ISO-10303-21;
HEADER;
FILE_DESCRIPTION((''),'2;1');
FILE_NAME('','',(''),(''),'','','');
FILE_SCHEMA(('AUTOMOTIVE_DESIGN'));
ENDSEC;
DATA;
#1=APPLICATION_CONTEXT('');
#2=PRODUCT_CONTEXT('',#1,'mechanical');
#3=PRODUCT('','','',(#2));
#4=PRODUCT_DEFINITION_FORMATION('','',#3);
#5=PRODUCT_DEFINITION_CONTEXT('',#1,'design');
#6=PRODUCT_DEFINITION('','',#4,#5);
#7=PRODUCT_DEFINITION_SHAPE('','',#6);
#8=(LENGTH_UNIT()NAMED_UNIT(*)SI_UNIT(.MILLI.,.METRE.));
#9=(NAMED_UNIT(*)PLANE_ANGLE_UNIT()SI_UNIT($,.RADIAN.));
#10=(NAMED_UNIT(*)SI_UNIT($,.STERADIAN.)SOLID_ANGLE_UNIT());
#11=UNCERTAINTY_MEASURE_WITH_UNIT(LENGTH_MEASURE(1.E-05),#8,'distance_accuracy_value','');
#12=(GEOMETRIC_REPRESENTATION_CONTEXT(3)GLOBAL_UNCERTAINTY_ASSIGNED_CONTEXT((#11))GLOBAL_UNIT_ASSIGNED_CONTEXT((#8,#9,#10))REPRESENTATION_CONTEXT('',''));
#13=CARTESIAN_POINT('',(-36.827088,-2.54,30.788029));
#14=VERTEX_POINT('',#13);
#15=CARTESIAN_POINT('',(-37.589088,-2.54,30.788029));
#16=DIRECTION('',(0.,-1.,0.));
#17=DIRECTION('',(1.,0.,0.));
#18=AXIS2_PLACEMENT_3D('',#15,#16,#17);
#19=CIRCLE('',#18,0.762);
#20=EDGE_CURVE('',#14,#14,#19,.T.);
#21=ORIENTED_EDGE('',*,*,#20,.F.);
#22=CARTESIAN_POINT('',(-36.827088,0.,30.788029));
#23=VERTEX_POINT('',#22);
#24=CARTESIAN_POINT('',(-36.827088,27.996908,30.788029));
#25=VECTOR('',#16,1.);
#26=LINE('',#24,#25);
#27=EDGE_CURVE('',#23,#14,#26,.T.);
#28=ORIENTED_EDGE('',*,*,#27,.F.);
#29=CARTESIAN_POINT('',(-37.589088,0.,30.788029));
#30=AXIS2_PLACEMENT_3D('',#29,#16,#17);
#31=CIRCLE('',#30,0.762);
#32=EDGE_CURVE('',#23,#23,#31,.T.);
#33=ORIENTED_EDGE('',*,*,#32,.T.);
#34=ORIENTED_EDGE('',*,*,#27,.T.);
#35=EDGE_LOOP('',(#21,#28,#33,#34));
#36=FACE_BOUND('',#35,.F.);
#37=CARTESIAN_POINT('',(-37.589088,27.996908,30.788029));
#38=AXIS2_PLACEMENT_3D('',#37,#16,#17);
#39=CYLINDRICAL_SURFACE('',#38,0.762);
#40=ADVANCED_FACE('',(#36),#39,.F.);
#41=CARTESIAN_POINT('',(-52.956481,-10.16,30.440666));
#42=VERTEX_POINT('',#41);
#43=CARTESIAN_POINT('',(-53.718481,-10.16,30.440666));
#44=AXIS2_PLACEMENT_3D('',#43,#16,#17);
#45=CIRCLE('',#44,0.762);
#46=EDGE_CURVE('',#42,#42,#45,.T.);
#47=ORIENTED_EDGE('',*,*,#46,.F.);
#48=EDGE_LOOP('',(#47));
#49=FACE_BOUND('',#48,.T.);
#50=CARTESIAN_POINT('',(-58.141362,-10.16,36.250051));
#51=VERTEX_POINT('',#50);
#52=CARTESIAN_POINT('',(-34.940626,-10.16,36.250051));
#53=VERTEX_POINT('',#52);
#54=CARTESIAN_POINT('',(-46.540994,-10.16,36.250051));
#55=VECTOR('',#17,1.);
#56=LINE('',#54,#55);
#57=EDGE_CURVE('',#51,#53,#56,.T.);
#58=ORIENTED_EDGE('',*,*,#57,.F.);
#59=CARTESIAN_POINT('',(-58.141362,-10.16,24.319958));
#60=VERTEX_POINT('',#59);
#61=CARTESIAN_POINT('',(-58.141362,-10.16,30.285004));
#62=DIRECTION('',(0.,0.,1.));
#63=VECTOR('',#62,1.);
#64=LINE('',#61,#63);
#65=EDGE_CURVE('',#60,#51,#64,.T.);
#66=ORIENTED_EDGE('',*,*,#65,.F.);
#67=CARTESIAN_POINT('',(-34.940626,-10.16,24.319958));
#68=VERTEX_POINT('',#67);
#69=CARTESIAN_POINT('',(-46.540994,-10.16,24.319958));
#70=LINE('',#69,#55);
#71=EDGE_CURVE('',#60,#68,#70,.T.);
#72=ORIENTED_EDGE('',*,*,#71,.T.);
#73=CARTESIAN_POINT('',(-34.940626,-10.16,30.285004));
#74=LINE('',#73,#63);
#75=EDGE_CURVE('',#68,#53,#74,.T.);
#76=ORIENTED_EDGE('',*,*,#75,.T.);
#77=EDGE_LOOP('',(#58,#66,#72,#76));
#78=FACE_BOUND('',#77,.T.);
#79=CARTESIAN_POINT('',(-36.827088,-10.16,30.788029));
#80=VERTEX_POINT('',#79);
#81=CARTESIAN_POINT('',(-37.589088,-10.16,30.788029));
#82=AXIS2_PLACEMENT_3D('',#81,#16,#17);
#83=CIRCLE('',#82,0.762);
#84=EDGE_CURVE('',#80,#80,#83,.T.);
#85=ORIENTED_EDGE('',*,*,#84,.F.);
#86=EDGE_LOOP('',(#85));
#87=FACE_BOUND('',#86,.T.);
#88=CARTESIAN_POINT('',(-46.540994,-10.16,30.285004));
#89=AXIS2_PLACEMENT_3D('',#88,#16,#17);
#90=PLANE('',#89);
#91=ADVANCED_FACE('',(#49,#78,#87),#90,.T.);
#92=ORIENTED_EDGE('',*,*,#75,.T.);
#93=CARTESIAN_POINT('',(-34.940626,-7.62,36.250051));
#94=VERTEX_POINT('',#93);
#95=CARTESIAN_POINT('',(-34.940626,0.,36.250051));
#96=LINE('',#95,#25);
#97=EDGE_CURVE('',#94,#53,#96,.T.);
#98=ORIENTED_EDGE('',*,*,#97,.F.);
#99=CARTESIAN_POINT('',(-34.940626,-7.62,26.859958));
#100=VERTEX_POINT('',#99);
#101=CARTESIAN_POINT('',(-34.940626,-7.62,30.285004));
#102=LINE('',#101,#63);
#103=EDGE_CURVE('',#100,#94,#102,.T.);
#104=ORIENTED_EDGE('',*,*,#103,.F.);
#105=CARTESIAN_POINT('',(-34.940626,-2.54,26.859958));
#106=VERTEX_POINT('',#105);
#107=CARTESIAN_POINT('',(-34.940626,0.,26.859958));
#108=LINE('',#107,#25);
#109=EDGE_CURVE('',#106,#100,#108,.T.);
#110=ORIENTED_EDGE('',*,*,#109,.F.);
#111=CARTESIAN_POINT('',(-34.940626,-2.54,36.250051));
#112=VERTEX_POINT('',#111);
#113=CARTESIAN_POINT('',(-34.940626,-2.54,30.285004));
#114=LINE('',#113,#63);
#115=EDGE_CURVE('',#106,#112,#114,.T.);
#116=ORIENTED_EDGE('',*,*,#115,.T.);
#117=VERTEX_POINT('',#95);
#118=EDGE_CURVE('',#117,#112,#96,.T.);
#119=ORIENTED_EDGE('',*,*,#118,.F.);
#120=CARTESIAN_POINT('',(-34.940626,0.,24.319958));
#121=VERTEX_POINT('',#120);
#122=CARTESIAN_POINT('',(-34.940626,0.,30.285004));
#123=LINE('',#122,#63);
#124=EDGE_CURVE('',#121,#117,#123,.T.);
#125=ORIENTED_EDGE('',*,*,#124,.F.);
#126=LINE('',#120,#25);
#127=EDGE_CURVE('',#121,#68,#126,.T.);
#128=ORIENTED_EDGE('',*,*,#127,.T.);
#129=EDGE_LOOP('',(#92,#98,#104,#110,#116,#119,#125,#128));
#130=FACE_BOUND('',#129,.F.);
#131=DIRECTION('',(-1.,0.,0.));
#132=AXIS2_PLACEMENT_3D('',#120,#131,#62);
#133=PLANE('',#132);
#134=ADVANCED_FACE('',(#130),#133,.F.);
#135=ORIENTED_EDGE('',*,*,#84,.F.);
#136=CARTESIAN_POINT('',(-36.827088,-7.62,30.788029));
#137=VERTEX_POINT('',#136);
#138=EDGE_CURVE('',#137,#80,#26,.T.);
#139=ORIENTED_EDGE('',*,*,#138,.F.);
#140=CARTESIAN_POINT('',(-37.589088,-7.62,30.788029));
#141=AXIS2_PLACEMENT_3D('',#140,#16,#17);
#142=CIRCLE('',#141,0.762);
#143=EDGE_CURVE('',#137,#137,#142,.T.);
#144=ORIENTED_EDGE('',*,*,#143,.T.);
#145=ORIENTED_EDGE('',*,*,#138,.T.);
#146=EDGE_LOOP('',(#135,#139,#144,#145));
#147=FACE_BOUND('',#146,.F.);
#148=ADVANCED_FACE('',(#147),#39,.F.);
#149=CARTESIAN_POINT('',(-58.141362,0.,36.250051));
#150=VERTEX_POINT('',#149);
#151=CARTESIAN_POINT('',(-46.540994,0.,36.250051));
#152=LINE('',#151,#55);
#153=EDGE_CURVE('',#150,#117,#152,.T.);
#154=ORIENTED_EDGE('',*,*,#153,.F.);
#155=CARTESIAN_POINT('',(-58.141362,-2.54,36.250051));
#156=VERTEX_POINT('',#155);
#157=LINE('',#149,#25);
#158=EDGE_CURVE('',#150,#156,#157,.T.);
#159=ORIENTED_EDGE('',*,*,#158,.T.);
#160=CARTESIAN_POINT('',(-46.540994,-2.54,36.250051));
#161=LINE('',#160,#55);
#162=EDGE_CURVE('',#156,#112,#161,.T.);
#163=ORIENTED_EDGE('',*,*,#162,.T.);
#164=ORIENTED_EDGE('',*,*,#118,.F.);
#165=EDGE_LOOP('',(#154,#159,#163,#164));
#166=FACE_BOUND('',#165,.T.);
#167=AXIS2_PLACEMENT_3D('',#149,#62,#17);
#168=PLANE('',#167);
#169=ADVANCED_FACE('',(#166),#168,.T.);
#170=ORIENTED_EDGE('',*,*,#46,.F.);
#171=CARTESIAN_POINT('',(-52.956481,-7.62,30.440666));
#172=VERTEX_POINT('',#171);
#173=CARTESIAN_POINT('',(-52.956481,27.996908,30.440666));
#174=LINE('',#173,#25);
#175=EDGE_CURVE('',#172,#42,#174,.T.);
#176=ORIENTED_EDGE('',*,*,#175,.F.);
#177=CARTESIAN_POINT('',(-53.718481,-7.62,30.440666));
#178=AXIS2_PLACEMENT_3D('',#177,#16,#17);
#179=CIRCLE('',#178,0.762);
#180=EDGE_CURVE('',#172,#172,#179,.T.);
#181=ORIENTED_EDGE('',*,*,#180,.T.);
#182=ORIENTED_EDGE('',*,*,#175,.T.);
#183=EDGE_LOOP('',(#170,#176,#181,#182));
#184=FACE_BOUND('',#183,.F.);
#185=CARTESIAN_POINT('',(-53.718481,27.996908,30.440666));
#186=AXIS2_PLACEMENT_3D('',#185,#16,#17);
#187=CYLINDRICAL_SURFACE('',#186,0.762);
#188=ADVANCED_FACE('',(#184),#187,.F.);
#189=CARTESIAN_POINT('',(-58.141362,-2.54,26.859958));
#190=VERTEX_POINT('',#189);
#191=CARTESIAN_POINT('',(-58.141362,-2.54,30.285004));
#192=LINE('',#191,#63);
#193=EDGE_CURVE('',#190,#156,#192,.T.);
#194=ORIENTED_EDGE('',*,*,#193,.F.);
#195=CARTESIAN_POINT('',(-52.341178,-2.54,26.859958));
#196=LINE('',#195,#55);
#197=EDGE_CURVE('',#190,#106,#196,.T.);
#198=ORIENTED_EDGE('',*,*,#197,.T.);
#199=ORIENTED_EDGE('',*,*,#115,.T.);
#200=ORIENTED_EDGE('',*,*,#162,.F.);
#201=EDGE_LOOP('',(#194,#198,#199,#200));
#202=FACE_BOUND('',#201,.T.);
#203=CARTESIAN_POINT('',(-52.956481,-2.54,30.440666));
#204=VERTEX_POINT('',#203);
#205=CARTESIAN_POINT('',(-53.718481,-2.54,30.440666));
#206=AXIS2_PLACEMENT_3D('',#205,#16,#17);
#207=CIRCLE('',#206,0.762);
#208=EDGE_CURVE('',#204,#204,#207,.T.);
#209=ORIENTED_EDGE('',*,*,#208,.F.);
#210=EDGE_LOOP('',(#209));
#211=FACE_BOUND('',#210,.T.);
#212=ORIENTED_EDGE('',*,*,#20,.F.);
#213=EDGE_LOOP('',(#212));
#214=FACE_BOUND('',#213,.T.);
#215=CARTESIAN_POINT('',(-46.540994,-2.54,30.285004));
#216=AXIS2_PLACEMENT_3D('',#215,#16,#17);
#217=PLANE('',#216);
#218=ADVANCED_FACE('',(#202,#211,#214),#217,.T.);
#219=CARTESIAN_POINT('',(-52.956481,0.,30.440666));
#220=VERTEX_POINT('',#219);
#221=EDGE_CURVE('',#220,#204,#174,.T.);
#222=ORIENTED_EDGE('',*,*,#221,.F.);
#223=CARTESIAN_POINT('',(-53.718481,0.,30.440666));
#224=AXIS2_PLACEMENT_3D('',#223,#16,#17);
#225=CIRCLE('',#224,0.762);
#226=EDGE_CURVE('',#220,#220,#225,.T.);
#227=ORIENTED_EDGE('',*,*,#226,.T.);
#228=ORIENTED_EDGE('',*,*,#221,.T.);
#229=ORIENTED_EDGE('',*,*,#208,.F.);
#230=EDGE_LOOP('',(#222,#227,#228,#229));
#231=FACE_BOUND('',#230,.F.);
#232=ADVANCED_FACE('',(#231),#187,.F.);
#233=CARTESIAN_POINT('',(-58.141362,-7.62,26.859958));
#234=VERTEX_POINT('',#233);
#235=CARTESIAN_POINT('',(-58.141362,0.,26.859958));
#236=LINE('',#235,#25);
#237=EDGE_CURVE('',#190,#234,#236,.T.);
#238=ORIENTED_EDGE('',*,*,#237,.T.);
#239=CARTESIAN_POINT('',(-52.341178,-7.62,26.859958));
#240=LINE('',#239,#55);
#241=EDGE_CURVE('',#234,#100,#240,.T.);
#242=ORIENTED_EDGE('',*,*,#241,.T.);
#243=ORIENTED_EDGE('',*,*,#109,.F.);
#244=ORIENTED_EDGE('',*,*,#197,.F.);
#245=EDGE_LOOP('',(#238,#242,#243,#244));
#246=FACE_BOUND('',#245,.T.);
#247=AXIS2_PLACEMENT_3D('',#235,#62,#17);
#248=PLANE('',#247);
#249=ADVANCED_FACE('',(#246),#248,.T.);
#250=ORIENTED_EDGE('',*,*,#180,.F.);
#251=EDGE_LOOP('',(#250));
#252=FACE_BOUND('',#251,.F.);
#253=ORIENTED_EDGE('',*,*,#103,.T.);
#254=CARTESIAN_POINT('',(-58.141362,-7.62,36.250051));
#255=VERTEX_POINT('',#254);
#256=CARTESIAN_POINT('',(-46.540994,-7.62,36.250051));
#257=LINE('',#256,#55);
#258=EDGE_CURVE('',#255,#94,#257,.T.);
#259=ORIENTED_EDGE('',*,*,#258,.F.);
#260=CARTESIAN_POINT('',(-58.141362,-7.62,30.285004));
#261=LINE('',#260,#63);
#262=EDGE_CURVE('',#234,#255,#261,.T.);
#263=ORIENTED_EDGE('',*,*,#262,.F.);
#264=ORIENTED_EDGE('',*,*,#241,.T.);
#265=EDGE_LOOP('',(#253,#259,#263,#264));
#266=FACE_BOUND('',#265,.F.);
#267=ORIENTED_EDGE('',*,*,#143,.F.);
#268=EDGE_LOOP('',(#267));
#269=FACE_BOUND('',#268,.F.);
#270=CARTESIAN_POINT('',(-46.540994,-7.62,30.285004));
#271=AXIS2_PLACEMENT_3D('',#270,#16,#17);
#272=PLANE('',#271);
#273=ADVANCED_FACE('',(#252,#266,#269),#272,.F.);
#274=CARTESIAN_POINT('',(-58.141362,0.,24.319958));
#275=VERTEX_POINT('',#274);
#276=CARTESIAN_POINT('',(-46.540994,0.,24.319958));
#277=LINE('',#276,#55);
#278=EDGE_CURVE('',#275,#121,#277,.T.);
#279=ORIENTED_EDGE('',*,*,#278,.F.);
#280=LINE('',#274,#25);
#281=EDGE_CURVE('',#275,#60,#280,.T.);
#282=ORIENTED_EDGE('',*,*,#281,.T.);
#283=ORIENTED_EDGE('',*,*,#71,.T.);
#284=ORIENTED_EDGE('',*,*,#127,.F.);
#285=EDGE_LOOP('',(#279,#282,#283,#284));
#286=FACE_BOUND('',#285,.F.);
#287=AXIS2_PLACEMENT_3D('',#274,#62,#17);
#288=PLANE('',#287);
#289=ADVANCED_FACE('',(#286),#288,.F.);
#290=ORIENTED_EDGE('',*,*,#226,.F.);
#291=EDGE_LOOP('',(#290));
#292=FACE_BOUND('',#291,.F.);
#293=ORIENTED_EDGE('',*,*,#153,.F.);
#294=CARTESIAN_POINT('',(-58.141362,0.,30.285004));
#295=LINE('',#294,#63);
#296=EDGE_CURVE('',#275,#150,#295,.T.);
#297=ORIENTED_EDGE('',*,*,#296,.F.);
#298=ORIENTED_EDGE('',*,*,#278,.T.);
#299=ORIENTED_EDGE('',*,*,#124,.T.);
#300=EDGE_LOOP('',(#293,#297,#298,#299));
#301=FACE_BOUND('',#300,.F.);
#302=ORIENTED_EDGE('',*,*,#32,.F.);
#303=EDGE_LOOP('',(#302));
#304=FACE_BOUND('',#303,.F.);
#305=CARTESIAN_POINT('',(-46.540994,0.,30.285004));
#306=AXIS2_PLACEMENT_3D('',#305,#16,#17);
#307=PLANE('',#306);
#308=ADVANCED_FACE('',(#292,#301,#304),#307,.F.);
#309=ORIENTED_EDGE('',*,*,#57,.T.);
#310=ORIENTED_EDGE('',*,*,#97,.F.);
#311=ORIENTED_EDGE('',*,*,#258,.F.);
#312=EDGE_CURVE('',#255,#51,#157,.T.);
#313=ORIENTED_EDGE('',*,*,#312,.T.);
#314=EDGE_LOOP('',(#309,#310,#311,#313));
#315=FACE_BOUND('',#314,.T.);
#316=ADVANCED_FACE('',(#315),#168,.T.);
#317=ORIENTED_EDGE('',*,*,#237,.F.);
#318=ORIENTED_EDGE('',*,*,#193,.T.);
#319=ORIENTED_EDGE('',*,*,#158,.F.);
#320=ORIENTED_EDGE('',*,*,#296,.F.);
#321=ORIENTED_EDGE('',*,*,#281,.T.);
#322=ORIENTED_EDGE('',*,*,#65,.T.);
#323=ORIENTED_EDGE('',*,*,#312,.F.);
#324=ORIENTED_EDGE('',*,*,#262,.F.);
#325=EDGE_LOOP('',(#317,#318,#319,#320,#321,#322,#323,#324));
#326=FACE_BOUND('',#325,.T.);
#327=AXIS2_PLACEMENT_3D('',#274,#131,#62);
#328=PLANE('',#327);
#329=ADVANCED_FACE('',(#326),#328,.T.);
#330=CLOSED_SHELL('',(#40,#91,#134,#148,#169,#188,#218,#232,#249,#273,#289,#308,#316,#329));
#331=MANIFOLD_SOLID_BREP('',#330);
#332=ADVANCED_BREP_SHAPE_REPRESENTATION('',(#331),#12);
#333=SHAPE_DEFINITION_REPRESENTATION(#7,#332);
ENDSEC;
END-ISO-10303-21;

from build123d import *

# Parameters (mm, degrees)
F0_W     = 23.200736
F0_H     = 11.930093
F1_DEPTH = 10.16
F2_T     = -2.54
F4_D     = 1.524


with BuildPart() as f1:
    # F0 (on Front) → F1 (new body)
    with BuildSketch(Plane.XZ):
        with Locations((-46.540994, 30.285004)):
            Rectangle(F0_W, F0_H)
    extrude(amount=F1_DEPTH)

    # F2
    f2_openings = [f1.faces().sort_by_distance(p)[0] for p in [
        (-46.540994, -5.08, 36.250051),
        (-58.141362, -5.08, 30.285005),
        (-34.940626, -5.08, 30.285005),
    ]]
    offset(amount=F2_T, openings=f2_openings)

    # F4 (through all)
    with Locations(Plane(origin=(0, 0, 0), x_dir=(-1, 0, 0), z_dir=(0, 1, 0))):
        with Locations((37.589088, 30.788029), (53.718481, 30.440666)):
            Hole(F4_D / 2)


solid = f1.part
